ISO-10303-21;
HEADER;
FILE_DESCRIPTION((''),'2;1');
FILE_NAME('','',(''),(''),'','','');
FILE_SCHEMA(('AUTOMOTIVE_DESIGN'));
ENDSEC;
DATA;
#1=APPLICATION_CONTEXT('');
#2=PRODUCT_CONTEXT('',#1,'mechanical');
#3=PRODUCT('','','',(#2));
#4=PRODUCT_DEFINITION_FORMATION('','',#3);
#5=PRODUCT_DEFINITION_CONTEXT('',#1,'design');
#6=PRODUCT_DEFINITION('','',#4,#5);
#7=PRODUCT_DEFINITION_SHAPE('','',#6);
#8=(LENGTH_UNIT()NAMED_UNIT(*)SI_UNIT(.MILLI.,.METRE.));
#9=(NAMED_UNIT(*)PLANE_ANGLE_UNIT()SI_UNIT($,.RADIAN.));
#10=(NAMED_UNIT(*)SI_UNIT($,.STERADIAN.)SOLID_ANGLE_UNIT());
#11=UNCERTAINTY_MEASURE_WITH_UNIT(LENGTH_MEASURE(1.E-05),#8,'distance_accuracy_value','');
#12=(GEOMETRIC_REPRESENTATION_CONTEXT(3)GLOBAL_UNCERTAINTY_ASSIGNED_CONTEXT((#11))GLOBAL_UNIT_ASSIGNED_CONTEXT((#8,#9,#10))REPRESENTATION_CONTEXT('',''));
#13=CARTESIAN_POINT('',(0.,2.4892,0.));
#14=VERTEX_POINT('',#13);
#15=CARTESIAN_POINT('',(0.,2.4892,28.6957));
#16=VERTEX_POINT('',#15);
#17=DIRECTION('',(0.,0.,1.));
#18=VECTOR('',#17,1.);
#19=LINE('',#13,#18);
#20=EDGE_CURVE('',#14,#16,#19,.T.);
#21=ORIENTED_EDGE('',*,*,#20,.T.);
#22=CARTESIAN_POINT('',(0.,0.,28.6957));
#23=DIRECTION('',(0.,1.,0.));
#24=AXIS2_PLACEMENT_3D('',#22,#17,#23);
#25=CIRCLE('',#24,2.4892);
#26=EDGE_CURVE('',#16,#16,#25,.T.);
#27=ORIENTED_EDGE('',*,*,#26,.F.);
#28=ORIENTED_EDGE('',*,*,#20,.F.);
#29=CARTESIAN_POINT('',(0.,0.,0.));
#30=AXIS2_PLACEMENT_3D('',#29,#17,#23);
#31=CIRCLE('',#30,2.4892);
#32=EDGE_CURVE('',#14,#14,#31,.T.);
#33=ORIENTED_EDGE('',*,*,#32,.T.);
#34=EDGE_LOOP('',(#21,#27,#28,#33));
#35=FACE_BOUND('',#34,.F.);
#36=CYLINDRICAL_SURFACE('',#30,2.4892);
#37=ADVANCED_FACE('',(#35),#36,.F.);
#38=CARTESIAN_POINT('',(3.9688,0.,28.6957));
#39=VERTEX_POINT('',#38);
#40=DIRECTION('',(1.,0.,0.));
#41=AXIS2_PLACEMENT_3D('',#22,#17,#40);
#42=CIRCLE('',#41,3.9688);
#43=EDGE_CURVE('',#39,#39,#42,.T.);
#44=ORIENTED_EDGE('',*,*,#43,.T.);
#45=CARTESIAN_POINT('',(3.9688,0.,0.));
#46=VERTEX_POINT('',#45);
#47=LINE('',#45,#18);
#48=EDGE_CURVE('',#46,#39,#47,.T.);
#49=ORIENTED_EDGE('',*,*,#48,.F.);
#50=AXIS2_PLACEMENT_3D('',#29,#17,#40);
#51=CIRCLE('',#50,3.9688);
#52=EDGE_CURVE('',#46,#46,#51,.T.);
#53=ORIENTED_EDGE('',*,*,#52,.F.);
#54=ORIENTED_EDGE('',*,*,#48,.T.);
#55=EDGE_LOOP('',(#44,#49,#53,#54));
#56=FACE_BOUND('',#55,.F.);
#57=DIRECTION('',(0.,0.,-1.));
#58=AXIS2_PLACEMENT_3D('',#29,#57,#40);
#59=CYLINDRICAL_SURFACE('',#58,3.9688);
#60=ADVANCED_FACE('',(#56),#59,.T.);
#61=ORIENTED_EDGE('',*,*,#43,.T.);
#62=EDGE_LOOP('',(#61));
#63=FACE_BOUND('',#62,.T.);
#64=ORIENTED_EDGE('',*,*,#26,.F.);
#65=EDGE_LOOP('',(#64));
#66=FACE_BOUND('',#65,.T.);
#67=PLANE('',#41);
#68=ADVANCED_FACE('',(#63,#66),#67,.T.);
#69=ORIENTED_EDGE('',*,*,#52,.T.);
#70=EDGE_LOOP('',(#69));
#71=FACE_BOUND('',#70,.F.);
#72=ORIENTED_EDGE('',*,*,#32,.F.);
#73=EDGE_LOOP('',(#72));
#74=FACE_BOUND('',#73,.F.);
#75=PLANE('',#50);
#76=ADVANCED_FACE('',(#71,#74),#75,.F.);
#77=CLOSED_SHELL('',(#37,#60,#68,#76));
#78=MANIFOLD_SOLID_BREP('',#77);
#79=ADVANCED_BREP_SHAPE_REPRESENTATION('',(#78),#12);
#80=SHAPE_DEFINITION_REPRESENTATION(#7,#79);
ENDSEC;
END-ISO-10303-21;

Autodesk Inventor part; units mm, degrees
ref_plane "YZ Plane" through (0, 0, 0) normal (1, 0, 0) x (0, 1, 0)
ref_plane "XZ Plane" through (0, 0, 0) normal (0, 1, 0) x (-1, 0, 0)
ref_plane "XY Plane" through (0, 0, 0) normal (0, 0, 1) x (1, 0, 0)
sketch "Sketch1" plane through (0, 0, 0) normal (0, 0, 1) x (1, 0, 0)
  circle A0 centre (0, 0) radius 3.9688
  dimension "d0" = 7.9375
extrude "Extrusion1" add sketch "Sketch1" along normal blind 28.6957
hole "Hole1" at (0, 0, 0) direction (0, 0, 1) diameter 4.9784 end through all clearance for "Socket Head Cap Screw" size "#10" standard "Ansi Unified Screw Threads"
properties part number "Supporting Plate Standoff Thin"
